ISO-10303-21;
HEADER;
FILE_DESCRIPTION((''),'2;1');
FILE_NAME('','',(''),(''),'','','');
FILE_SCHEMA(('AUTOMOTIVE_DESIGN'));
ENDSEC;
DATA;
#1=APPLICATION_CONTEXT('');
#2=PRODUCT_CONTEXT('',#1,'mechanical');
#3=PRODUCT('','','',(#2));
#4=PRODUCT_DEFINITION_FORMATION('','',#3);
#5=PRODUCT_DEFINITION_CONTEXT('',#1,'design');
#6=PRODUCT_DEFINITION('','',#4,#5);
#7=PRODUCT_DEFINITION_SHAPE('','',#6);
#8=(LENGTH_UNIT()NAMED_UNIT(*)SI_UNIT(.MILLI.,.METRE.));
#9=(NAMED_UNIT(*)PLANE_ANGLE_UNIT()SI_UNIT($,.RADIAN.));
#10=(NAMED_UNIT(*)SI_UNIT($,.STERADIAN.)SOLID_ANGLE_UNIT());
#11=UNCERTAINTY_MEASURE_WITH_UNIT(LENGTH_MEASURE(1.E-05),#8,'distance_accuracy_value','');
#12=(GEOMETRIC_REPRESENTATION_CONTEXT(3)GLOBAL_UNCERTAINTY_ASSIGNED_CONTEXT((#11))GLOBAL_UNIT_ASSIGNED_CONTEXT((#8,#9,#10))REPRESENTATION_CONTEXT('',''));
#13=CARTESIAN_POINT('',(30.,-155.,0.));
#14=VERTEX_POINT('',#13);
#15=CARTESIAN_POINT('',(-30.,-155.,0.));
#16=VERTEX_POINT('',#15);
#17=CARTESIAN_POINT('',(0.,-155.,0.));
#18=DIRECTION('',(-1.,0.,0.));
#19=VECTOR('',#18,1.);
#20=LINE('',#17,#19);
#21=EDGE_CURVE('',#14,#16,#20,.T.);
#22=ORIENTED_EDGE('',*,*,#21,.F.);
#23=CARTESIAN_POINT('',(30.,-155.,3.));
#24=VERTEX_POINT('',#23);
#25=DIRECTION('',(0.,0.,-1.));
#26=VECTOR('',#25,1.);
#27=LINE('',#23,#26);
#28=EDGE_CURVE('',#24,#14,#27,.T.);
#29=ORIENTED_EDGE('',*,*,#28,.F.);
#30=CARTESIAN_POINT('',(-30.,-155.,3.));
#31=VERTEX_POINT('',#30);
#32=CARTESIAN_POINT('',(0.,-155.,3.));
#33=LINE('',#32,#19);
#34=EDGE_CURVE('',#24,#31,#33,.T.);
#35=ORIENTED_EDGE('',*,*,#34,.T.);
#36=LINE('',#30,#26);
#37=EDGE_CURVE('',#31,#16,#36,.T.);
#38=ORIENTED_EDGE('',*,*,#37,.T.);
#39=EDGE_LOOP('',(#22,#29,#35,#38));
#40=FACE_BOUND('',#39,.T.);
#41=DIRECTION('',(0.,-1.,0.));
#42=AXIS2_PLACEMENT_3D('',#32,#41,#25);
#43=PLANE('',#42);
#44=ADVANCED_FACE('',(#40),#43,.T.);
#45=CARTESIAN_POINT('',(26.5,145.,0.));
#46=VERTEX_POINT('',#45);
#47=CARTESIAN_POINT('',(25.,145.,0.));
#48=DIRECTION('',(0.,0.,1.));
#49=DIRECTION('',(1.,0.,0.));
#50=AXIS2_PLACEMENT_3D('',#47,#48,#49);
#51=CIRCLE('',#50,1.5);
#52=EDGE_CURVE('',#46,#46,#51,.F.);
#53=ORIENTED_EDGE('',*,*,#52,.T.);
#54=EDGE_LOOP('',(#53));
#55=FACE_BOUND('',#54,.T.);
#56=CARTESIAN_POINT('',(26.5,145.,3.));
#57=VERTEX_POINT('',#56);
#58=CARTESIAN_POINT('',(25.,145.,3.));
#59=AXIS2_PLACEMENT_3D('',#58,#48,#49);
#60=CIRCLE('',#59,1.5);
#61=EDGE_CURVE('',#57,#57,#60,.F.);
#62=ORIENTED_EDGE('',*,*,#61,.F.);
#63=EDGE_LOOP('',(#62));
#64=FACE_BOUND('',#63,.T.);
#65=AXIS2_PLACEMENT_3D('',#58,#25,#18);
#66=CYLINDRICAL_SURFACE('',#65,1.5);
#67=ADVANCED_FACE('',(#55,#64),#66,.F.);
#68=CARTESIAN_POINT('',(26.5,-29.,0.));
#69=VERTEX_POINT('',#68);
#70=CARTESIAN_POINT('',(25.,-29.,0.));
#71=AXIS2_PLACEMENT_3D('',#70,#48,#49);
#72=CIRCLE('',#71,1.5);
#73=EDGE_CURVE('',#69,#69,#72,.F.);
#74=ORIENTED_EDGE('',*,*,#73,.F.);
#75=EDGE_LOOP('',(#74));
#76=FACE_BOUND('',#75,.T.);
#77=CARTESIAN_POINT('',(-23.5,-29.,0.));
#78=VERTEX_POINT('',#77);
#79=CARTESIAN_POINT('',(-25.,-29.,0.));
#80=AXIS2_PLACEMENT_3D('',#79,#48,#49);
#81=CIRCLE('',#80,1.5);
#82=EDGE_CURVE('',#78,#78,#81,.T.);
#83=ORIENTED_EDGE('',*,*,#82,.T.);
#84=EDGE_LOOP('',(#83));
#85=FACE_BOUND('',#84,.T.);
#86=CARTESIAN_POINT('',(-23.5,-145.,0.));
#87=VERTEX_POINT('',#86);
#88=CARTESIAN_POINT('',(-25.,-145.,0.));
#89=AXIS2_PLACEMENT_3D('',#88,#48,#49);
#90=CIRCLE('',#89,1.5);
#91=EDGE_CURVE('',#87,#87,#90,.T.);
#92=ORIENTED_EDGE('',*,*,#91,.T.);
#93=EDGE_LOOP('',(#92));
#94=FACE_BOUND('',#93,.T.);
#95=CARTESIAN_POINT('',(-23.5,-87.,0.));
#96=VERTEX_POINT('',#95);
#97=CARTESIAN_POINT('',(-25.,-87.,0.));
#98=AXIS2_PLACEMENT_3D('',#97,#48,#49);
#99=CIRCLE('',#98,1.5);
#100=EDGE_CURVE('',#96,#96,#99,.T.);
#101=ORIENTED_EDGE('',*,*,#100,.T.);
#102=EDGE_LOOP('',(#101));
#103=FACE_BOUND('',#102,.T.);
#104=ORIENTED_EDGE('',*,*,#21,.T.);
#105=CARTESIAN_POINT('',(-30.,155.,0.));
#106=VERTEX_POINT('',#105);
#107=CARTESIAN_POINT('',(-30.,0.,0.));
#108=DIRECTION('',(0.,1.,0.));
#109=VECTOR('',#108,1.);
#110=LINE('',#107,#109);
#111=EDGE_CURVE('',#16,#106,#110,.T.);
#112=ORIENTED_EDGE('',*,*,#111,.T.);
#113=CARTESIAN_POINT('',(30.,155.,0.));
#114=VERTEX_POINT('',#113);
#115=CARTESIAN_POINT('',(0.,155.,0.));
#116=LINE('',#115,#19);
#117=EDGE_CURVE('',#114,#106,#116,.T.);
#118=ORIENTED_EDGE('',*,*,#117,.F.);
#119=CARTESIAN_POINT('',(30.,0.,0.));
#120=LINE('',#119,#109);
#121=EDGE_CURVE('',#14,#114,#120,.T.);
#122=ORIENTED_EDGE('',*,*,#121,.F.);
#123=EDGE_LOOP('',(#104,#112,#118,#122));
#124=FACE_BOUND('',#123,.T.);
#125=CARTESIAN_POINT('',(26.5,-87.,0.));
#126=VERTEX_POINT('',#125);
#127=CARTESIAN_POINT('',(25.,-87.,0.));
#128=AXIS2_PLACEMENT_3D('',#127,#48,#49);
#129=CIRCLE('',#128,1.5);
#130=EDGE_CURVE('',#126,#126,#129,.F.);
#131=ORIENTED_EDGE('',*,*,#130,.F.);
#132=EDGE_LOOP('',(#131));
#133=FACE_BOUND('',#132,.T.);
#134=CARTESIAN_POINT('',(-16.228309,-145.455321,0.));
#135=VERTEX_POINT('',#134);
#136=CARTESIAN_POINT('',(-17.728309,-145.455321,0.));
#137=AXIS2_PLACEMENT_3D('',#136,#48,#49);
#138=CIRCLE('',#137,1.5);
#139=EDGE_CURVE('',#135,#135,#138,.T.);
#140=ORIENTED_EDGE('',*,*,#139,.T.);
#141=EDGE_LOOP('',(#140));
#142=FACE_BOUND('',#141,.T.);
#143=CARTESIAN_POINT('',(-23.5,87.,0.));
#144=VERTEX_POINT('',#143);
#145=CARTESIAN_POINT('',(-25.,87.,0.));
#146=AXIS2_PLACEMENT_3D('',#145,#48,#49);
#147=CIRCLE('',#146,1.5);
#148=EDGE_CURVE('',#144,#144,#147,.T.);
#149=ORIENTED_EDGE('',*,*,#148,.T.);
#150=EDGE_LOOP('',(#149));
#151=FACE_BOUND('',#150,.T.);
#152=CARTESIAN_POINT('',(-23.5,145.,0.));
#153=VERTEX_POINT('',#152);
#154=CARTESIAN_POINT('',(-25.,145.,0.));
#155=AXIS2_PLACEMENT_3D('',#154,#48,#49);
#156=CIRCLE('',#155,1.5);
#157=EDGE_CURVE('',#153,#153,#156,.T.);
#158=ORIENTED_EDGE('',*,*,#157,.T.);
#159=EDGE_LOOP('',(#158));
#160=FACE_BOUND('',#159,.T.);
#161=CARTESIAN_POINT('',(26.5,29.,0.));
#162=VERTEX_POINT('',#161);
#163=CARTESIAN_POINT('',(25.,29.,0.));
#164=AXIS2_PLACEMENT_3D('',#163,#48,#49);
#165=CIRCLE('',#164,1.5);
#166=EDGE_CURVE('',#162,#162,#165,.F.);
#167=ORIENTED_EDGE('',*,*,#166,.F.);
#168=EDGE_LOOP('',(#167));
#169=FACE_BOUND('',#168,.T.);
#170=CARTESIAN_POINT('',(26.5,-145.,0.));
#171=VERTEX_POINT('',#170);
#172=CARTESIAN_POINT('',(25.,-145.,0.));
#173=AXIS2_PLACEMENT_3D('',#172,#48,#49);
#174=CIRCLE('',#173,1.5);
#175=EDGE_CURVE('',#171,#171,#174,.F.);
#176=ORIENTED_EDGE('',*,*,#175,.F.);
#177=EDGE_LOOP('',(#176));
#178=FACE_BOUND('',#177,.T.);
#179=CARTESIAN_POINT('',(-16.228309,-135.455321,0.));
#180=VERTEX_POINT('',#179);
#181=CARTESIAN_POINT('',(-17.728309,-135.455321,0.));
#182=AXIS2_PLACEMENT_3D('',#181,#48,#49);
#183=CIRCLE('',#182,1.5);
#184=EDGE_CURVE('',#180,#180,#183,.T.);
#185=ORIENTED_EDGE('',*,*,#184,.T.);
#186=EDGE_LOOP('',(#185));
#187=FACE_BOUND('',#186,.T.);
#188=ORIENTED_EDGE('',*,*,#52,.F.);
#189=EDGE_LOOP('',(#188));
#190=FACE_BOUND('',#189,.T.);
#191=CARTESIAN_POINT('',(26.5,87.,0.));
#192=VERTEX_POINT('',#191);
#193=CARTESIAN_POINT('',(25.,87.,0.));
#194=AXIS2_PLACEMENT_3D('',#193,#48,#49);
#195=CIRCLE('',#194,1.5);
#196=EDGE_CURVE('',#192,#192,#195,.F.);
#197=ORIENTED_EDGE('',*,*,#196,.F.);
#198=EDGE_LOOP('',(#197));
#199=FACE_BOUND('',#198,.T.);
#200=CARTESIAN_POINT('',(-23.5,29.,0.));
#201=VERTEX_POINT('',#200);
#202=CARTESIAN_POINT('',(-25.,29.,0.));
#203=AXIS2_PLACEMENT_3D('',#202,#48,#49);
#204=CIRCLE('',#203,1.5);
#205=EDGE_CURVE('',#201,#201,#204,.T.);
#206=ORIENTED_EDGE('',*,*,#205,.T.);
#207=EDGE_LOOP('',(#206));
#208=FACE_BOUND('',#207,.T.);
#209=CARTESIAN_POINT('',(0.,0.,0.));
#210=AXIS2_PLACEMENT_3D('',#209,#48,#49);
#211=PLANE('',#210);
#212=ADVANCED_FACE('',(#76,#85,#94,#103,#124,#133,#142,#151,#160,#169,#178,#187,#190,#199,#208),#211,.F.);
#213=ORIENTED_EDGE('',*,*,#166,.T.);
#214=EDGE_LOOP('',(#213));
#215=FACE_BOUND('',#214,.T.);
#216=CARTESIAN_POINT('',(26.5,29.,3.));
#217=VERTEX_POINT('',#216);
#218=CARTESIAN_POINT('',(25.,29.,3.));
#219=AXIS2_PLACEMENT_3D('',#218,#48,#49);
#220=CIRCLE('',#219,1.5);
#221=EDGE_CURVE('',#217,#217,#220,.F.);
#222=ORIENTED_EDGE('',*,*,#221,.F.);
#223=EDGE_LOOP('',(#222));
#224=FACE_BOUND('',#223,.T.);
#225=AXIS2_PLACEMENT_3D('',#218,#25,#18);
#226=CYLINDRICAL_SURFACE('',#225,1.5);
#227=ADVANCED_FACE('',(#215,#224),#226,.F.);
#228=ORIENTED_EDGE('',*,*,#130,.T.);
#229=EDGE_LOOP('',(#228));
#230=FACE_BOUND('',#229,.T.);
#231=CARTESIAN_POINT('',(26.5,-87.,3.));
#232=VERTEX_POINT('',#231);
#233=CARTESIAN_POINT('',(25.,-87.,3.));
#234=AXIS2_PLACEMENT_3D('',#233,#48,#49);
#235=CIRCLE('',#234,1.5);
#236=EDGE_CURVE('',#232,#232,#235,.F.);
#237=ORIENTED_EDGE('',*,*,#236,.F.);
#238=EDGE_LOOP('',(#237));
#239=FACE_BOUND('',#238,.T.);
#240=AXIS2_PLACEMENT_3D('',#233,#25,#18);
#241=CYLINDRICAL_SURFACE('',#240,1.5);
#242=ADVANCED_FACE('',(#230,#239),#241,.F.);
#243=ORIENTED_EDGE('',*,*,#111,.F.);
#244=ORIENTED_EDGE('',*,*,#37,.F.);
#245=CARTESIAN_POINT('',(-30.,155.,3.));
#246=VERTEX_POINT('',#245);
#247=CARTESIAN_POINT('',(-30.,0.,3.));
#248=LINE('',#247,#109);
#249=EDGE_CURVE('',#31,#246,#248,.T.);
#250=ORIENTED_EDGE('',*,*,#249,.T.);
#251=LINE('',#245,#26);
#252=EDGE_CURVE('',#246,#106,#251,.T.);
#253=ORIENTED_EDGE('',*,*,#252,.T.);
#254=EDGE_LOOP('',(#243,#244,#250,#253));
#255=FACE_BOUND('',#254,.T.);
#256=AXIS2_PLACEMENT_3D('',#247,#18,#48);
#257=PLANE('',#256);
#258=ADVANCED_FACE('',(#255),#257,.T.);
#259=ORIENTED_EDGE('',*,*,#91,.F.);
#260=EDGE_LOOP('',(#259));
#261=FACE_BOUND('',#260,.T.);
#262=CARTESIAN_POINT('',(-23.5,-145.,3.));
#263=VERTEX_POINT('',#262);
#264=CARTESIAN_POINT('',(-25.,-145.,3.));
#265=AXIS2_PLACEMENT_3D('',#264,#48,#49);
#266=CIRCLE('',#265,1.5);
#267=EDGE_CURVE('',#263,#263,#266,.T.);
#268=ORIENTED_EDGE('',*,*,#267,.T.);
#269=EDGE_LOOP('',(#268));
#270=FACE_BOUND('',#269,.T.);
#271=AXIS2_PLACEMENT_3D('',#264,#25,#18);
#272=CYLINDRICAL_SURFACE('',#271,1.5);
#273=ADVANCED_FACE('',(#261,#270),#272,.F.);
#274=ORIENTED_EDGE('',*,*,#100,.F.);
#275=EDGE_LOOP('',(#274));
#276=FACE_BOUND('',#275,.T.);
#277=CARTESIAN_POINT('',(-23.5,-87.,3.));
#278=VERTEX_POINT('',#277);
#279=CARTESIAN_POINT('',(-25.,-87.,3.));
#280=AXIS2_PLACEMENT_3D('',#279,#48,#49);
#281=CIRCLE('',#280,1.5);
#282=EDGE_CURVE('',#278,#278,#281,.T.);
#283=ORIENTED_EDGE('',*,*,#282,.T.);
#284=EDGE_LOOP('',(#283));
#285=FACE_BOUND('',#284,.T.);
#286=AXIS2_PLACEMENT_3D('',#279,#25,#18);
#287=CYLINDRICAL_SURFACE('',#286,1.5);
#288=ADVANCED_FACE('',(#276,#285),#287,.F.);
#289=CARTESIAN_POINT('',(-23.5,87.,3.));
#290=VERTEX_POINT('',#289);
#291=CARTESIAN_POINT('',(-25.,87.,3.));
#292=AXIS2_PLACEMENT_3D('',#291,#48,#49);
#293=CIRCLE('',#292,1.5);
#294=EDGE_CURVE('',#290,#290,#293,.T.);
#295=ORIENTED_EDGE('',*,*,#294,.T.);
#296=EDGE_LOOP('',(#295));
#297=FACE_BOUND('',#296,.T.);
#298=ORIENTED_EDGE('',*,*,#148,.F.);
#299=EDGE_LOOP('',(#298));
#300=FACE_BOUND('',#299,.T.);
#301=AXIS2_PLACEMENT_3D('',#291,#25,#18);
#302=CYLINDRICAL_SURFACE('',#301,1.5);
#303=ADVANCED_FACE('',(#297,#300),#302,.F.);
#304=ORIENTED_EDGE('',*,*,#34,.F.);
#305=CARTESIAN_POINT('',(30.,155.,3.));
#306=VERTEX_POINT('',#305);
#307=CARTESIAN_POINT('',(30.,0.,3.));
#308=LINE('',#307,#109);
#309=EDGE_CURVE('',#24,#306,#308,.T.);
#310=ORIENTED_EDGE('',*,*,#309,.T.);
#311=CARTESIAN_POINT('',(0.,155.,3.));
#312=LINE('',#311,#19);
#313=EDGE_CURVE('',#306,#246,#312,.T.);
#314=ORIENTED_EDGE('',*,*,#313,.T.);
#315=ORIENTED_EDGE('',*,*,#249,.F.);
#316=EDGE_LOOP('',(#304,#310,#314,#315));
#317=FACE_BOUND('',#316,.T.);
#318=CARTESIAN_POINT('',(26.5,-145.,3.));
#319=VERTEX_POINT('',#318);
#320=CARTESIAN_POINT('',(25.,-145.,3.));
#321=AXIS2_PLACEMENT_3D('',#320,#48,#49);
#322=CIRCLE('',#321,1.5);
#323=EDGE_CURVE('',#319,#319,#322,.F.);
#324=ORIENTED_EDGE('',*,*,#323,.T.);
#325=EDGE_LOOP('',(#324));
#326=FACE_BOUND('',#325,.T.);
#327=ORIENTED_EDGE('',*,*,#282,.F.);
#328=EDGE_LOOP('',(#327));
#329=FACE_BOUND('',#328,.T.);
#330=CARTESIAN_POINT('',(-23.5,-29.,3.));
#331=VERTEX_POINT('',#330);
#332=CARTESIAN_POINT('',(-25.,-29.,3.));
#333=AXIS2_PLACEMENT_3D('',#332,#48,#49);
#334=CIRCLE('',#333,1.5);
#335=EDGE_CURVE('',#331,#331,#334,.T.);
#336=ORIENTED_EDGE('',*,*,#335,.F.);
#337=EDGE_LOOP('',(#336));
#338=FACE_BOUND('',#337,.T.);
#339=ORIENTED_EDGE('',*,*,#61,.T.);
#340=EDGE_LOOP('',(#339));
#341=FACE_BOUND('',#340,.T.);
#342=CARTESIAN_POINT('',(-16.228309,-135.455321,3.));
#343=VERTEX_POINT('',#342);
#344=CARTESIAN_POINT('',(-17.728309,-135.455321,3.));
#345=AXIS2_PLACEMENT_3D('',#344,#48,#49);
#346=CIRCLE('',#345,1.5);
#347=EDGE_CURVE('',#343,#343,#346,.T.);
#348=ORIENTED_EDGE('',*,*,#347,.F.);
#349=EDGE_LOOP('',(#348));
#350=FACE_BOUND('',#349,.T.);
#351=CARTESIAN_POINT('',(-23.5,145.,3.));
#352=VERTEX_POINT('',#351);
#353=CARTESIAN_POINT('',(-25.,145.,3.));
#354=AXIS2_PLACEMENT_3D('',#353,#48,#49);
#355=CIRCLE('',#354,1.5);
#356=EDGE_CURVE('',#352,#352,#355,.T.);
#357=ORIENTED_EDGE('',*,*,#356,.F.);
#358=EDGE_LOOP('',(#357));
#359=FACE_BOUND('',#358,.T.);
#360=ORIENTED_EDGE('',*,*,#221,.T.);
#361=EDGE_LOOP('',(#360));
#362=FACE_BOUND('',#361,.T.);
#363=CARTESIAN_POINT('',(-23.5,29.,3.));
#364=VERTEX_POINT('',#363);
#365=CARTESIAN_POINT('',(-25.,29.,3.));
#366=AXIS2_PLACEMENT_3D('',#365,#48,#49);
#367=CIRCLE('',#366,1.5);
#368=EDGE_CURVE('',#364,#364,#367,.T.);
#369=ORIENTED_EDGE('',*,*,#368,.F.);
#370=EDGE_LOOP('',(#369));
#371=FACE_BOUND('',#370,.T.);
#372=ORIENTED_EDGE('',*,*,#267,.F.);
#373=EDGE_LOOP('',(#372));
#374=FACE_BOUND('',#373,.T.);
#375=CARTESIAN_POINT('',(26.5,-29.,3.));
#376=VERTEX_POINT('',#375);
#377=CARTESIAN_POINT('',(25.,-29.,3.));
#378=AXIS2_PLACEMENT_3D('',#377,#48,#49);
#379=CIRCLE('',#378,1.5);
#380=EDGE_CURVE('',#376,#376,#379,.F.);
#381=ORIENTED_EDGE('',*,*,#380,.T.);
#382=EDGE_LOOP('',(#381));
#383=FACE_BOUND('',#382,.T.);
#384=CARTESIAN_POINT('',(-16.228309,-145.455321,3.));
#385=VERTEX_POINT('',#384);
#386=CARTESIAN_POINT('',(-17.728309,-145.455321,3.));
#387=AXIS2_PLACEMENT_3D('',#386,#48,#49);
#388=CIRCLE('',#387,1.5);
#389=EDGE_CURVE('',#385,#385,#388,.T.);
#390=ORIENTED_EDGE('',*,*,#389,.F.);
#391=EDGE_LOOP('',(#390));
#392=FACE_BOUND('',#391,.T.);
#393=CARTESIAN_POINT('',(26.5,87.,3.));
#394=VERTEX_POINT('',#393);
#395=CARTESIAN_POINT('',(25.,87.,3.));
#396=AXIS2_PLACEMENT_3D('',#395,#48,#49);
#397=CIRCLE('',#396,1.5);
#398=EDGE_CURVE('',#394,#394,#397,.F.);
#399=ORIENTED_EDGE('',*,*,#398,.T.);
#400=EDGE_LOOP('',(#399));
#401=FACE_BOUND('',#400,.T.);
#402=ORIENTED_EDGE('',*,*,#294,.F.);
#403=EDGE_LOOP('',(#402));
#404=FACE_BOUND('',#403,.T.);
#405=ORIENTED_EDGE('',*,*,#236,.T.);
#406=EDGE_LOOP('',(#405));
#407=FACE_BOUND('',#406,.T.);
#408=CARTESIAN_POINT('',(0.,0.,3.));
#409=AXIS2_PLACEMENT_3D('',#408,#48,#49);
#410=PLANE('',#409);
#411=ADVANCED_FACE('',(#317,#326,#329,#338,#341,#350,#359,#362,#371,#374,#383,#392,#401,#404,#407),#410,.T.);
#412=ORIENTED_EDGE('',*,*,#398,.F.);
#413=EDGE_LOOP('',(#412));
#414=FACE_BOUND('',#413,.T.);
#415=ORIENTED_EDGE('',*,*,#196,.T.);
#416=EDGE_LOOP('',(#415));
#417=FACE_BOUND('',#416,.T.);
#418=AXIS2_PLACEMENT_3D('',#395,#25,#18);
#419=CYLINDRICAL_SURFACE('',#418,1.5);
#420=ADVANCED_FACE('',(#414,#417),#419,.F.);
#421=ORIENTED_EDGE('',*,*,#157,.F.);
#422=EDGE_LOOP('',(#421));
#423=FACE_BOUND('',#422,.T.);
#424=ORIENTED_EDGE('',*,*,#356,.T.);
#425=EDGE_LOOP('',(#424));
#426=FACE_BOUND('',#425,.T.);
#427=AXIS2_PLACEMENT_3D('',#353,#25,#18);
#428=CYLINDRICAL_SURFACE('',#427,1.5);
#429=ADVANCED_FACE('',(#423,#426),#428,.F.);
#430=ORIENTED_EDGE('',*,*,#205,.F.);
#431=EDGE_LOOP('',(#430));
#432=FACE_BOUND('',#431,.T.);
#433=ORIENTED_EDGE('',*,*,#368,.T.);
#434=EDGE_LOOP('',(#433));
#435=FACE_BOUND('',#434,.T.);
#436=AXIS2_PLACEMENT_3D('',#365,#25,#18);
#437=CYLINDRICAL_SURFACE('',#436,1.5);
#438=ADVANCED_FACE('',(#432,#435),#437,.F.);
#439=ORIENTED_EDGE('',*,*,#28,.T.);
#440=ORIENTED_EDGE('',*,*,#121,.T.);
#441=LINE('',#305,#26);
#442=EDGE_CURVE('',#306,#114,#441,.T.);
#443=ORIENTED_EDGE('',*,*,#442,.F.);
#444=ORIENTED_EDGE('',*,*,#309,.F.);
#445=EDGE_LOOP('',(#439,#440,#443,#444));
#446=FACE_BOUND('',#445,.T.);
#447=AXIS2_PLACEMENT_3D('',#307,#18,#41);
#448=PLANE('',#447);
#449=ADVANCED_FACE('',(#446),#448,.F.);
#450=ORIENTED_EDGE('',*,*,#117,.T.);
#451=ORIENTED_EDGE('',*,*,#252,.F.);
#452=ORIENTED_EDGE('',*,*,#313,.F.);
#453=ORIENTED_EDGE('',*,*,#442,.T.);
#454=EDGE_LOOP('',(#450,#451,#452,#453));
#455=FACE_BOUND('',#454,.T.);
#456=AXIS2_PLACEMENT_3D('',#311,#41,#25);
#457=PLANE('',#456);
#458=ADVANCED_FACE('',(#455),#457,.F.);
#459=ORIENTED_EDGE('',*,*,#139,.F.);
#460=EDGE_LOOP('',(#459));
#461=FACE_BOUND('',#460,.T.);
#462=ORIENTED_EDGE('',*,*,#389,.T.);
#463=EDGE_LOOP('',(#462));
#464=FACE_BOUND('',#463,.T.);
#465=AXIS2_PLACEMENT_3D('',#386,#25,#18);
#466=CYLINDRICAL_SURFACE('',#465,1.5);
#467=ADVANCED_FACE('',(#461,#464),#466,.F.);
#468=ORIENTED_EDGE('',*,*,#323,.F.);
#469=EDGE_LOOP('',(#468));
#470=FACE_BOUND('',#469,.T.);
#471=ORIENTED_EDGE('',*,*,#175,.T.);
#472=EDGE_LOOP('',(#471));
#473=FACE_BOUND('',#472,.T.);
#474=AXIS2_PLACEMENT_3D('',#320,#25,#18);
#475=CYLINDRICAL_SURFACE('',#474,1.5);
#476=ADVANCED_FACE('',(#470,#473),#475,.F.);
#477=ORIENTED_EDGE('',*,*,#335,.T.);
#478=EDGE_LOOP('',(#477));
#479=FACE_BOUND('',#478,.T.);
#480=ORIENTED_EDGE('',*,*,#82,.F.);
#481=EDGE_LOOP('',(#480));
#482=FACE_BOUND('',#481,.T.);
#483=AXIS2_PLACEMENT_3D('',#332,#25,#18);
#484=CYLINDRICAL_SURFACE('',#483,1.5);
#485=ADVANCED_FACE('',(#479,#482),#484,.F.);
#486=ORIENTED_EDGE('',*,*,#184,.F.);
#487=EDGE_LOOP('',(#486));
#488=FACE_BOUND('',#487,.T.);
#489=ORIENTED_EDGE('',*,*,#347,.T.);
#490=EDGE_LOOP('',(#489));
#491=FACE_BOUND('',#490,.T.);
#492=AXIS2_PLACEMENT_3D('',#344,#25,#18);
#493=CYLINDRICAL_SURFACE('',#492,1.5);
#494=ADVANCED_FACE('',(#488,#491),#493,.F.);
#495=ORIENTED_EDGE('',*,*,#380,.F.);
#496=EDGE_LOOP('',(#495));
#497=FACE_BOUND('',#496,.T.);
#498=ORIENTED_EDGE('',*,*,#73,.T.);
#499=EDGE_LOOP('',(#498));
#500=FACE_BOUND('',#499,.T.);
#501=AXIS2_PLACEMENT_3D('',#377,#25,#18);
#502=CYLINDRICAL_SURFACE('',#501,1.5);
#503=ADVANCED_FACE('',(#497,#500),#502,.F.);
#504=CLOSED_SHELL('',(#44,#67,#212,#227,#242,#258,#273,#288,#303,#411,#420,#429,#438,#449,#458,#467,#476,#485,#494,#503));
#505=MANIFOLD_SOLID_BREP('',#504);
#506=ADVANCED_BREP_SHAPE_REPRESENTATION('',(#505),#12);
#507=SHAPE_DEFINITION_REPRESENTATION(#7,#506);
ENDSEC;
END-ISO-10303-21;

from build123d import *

# Parameters (mm, degrees)
ESQUISSE1_R        = 1.5
BOSS_EXTRU_1_DEPTH = 3


with BuildPart() as part:
    # Esquisse1 → Boss.-Extru.1 (new body)
    with BuildSketch(Plane.XY):
        Polygon((-20, -155), (30, -155), (30, 155), (-20, 155), (-30, 155), (-30, 150), (-30, -150), (-30, -155), align=None)
        with Locations((-25, -145)):
            Circle(ESQUISSE1_R, mode=Mode.SUBTRACT)
        with Locations((-17.728308863, -145.455320997)):
            Circle(ESQUISSE1_R, mode=Mode.SUBTRACT)
        with Locations((-17.728308863, -135.455320997)):
            Circle(ESQUISSE1_R, mode=Mode.SUBTRACT)
        with Locations((-25, -87)):
            Circle(ESQUISSE1_R, mode=Mode.SUBTRACT)
        with Locations((-25, -29)):
            Circle(ESQUISSE1_R, mode=Mode.SUBTRACT)
        with Locations((25, -145)):
            Circle(ESQUISSE1_R, mode=Mode.SUBTRACT)
        with Locations((25, -87)):
            Circle(ESQUISSE1_R, mode=Mode.SUBTRACT)
        with Locations((25, -29)):
            Circle(ESQUISSE1_R, mode=Mode.SUBTRACT)
        with Locations((-25, 29)):
            Circle(ESQUISSE1_R, mode=Mode.SUBTRACT)
        with Locations((-25, 87)):
            Circle(ESQUISSE1_R, mode=Mode.SUBTRACT)
        with Locations((-25, 145)):
            Circle(ESQUISSE1_R, mode=Mode.SUBTRACT)
        with Locations((25, 29)):
            Circle(ESQUISSE1_R, mode=Mode.SUBTRACT)
        with Locations((25, 87)):
            Circle(ESQUISSE1_R, mode=Mode.SUBTRACT)
        with Locations((25, 145)):
            Circle(ESQUISSE1_R, mode=Mode.SUBTRACT)
    extrude(amount=BOSS_EXTRU_1_DEPTH)


solid = part.part
